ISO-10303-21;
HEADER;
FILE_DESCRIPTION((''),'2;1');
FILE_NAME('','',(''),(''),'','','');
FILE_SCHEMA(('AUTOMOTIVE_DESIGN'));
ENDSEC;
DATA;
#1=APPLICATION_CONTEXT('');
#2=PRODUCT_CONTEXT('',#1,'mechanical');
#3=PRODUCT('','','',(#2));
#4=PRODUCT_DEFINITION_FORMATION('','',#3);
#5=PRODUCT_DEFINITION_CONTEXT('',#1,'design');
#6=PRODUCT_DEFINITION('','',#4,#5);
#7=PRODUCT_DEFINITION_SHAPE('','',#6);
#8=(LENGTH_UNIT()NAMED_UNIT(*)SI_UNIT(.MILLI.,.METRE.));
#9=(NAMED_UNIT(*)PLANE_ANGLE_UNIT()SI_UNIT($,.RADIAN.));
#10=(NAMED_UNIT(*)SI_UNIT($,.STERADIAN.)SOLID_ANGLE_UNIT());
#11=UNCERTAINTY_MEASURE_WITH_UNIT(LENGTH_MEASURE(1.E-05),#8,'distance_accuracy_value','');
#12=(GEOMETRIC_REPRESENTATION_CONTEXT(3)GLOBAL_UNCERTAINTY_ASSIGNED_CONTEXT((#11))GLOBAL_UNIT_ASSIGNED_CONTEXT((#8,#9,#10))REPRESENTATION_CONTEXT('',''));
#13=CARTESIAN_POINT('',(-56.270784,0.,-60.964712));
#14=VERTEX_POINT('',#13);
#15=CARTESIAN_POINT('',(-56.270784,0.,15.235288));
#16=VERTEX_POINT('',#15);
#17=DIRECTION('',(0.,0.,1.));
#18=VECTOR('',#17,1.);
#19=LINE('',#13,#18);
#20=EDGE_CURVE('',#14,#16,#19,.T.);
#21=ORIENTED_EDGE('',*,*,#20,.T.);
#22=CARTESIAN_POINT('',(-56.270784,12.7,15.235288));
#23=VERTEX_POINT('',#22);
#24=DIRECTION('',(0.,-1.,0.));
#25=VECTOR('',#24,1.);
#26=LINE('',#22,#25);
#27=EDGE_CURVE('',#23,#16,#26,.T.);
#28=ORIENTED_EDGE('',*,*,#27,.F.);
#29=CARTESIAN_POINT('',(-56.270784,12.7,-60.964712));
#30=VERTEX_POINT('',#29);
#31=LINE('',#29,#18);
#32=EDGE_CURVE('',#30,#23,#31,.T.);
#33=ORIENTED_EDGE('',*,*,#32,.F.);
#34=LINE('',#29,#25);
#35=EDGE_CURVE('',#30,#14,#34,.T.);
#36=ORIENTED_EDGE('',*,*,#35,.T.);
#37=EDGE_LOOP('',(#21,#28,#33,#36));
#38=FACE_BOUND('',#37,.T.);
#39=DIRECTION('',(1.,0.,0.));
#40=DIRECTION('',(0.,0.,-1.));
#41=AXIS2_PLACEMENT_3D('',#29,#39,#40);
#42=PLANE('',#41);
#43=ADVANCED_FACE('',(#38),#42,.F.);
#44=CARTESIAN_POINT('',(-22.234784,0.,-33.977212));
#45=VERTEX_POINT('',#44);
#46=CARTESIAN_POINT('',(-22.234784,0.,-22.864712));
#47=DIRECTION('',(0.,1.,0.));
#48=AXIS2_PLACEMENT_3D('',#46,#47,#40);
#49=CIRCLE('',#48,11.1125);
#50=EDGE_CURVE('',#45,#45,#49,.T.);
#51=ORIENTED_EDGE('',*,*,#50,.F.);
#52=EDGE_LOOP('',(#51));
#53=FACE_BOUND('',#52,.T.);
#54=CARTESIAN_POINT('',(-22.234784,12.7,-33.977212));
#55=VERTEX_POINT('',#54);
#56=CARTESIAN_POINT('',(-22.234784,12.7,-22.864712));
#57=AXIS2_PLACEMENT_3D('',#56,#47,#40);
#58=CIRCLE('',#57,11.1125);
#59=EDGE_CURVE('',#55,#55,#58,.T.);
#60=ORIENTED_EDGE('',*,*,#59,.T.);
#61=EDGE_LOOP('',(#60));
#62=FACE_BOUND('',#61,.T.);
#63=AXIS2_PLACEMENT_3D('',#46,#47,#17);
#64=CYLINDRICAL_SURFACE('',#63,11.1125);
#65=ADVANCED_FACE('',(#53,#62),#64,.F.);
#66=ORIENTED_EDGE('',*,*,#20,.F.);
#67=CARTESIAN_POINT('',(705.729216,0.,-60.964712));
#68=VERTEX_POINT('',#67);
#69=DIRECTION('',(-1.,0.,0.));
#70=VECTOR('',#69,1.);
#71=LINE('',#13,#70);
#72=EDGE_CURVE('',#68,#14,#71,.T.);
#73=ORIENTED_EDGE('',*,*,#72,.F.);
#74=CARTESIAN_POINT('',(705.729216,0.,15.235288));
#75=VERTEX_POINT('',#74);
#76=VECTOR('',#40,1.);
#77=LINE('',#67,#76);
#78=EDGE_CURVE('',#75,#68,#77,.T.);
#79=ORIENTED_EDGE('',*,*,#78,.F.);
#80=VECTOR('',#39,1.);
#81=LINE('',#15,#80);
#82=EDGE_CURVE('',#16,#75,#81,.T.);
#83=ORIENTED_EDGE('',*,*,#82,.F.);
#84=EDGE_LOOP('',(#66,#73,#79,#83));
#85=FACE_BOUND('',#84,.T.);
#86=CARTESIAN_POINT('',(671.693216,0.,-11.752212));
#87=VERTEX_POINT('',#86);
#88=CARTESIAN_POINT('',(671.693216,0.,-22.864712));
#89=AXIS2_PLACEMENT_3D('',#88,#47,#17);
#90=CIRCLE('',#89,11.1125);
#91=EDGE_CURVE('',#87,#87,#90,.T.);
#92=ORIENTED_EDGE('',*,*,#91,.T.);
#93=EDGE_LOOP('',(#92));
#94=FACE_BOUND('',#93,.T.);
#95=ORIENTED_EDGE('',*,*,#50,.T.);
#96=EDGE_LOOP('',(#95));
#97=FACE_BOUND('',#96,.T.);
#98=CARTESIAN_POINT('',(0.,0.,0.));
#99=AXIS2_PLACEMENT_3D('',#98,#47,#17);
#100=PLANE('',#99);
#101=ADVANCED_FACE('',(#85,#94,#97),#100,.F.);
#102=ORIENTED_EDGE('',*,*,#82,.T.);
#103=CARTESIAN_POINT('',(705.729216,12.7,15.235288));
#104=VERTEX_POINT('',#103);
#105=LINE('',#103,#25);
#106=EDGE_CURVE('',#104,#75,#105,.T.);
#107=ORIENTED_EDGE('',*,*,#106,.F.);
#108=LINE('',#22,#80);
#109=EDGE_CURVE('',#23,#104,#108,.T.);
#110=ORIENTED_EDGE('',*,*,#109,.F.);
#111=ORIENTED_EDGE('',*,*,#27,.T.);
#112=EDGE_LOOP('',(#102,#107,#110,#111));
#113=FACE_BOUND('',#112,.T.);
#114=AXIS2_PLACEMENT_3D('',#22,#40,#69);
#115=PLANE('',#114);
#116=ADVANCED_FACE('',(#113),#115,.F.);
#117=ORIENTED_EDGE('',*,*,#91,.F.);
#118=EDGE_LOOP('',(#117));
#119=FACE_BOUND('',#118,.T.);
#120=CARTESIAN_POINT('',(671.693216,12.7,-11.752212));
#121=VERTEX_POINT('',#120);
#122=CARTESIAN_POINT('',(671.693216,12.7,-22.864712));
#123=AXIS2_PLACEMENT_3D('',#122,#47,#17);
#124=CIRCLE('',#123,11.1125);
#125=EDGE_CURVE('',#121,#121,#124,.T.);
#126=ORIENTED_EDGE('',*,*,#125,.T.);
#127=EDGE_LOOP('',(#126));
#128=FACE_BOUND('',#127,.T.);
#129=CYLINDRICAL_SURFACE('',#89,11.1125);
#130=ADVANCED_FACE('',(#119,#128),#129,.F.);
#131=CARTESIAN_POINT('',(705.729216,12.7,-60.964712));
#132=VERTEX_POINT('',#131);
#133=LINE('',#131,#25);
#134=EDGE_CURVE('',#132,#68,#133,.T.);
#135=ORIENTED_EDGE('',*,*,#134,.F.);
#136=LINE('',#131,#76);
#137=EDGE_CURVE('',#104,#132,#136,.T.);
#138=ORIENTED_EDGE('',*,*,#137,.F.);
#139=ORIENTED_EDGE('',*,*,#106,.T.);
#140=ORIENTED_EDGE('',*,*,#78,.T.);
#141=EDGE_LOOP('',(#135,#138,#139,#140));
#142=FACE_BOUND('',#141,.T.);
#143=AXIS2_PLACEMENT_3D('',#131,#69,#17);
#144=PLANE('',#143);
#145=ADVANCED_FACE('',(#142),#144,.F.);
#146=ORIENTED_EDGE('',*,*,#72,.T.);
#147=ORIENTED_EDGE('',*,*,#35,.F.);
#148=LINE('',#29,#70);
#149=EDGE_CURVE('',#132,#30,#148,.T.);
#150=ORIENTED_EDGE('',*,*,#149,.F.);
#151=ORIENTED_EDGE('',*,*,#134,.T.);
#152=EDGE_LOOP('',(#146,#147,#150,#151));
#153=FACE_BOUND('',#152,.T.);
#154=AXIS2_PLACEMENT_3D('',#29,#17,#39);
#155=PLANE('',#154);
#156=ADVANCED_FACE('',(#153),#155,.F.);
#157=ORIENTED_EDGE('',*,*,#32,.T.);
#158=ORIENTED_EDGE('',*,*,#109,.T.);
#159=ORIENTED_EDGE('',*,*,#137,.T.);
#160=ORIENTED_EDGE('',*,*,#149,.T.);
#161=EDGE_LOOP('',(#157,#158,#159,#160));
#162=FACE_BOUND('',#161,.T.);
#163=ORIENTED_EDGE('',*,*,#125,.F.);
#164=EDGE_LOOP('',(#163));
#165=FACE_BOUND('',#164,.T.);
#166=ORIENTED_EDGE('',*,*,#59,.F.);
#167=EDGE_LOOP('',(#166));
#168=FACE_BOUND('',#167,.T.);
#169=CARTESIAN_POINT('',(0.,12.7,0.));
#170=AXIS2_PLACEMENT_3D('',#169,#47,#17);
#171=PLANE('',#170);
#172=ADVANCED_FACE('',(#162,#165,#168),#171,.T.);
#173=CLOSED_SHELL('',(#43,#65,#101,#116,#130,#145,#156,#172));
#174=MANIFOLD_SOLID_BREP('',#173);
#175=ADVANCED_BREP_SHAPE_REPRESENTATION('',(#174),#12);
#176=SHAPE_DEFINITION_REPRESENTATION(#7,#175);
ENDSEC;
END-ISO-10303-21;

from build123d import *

# Parameters (mm, degrees)
SKETCH1_W           = 762
SKETCH1_H           = 76.2
BOSS_EXTRUDE1_DEPTH = 12.7
SKETCH4_R           = 11.1125
CUT_EXTRUDE1_DEPTH  = 13.7


with BuildPart() as part:
    # Sketch1 → Boss-Extrude1 (new body)
    with BuildSketch(Plane(origin=(0, 0, 0), x_dir=(1, 0, 0), z_dir=(0, 1, 0))):
        with Locations((324.729216151, 22.864711876)):
            Rectangle(SKETCH1_W, SKETCH1_H)
    extrude(amount=BOSS_EXTRUDE1_DEPTH)

    # Sketch4 → Cut-Extrude1 (cut, through all)
    with BuildSketch(Plane(origin=(0, 12.7, 0), x_dir=(1, 0, 0), z_dir=(0, 1, 0))):
        with Locations((671.693216151, 22.864711876)):
            Circle(SKETCH4_R)
        with Locations((-22.234783849, 22.864711876)):
            Circle(SKETCH4_R)
    extrude(amount=-CUT_EXTRUDE1_DEPTH, mode=Mode.SUBTRACT)


solid = part.part
